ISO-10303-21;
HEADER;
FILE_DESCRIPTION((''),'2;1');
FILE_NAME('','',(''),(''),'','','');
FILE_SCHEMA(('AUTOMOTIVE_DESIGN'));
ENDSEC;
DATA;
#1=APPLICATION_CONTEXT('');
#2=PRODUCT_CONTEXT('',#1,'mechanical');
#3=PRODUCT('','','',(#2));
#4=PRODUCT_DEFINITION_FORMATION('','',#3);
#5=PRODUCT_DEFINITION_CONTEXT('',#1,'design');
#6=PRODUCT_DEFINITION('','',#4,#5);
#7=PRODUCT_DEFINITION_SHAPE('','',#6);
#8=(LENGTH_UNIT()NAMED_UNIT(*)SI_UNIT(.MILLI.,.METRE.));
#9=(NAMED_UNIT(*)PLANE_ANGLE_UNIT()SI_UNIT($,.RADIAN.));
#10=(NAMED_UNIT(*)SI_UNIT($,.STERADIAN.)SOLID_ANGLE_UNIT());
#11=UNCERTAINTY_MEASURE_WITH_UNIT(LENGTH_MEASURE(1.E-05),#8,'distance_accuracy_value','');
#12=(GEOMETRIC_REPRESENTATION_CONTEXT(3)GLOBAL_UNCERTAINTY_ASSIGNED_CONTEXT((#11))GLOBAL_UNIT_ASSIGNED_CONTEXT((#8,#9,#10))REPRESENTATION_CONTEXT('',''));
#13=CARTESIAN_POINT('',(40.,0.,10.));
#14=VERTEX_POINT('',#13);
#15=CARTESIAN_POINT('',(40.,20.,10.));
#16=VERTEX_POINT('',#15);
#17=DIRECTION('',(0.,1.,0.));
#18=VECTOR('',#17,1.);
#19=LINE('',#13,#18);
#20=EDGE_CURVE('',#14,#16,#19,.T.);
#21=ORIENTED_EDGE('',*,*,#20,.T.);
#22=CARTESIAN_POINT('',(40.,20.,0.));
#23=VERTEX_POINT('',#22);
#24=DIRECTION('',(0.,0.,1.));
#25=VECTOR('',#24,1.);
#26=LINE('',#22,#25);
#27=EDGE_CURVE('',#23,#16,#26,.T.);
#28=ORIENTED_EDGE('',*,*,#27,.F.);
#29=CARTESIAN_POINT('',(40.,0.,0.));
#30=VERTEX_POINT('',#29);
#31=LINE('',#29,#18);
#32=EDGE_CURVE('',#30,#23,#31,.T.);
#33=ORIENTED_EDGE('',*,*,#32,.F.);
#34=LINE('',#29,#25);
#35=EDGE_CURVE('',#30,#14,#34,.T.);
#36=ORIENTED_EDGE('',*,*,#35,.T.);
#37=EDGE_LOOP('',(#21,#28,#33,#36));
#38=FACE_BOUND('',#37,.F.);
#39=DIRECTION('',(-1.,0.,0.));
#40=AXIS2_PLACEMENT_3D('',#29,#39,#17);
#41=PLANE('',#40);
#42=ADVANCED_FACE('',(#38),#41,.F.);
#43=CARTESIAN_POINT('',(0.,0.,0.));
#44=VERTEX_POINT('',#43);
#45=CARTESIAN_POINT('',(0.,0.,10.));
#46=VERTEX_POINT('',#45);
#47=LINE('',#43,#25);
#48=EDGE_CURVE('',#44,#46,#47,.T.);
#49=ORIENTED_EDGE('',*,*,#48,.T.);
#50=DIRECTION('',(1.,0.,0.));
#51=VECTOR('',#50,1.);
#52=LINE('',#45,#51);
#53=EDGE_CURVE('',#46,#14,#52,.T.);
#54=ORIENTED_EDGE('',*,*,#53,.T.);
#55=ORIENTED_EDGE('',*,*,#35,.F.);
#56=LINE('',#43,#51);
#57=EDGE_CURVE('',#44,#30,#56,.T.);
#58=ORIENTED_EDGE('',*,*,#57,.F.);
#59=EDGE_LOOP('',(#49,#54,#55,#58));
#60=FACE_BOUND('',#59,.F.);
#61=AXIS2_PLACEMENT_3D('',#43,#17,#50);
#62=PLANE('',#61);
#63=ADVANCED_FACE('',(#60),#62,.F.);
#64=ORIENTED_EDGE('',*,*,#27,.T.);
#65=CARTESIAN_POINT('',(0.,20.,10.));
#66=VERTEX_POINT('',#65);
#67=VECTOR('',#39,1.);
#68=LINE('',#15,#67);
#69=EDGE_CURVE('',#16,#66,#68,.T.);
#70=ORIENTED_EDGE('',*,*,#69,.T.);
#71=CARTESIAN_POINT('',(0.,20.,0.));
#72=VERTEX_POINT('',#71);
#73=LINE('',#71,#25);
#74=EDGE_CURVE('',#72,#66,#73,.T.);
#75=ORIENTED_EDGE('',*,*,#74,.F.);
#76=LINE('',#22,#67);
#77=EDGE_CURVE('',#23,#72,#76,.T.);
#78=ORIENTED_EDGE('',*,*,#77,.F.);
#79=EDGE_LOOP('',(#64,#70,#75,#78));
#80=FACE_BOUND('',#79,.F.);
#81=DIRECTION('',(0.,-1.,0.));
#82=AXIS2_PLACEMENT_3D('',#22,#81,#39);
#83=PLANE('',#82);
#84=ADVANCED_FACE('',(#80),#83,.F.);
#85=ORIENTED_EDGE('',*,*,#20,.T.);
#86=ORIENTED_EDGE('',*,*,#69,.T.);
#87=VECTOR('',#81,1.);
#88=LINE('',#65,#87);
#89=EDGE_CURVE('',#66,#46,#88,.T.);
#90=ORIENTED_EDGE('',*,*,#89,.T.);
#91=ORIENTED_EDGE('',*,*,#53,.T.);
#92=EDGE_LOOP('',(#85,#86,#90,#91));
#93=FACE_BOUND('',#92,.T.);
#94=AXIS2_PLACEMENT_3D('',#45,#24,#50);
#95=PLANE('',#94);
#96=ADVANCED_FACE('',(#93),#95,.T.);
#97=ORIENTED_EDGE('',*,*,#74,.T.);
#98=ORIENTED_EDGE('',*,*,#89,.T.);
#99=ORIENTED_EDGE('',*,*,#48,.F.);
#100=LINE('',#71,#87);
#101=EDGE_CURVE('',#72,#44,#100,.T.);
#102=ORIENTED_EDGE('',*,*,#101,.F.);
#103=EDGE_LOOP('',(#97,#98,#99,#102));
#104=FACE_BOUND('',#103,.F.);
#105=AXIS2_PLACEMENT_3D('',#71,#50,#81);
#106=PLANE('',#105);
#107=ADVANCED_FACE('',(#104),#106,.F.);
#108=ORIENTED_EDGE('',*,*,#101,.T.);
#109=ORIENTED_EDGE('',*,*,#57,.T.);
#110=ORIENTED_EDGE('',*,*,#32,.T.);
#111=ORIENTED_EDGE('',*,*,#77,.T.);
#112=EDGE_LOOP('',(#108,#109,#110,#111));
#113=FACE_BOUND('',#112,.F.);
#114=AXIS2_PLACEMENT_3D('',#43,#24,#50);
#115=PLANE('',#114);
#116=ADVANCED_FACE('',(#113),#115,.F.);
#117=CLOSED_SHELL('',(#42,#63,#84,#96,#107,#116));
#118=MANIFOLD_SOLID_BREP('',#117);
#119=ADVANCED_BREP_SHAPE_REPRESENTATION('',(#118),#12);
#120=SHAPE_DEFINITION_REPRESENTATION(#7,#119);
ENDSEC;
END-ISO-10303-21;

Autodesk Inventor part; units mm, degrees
ref_plane "YZ Plane" through (0, 0, 0) normal (1, 0, 0) x (0, 1, 0)
ref_plane "XZ Plane" through (0, 0, 0) normal (0, 1, 0) x (-1, 0, 0)
ref_plane "XY Plane" through (0, 0, 0) normal (0, 0, 1) x (1, 0, 0)
sketch "Sketch1" plane through (0, 0, 0) normal (0, 0, 1) x (1, 0, 0)
  line L0 (0, 0) -> (40, 0)
  line L1 (40, 0) -> (40, 20)
  line L2 (40, 20) -> (0, 20)
  line L3 (0, 20) -> (0, 0)
extrude "Extrusion1" add sketch "Sketch1" along normal blind 10
properties part number "asm_bar"
